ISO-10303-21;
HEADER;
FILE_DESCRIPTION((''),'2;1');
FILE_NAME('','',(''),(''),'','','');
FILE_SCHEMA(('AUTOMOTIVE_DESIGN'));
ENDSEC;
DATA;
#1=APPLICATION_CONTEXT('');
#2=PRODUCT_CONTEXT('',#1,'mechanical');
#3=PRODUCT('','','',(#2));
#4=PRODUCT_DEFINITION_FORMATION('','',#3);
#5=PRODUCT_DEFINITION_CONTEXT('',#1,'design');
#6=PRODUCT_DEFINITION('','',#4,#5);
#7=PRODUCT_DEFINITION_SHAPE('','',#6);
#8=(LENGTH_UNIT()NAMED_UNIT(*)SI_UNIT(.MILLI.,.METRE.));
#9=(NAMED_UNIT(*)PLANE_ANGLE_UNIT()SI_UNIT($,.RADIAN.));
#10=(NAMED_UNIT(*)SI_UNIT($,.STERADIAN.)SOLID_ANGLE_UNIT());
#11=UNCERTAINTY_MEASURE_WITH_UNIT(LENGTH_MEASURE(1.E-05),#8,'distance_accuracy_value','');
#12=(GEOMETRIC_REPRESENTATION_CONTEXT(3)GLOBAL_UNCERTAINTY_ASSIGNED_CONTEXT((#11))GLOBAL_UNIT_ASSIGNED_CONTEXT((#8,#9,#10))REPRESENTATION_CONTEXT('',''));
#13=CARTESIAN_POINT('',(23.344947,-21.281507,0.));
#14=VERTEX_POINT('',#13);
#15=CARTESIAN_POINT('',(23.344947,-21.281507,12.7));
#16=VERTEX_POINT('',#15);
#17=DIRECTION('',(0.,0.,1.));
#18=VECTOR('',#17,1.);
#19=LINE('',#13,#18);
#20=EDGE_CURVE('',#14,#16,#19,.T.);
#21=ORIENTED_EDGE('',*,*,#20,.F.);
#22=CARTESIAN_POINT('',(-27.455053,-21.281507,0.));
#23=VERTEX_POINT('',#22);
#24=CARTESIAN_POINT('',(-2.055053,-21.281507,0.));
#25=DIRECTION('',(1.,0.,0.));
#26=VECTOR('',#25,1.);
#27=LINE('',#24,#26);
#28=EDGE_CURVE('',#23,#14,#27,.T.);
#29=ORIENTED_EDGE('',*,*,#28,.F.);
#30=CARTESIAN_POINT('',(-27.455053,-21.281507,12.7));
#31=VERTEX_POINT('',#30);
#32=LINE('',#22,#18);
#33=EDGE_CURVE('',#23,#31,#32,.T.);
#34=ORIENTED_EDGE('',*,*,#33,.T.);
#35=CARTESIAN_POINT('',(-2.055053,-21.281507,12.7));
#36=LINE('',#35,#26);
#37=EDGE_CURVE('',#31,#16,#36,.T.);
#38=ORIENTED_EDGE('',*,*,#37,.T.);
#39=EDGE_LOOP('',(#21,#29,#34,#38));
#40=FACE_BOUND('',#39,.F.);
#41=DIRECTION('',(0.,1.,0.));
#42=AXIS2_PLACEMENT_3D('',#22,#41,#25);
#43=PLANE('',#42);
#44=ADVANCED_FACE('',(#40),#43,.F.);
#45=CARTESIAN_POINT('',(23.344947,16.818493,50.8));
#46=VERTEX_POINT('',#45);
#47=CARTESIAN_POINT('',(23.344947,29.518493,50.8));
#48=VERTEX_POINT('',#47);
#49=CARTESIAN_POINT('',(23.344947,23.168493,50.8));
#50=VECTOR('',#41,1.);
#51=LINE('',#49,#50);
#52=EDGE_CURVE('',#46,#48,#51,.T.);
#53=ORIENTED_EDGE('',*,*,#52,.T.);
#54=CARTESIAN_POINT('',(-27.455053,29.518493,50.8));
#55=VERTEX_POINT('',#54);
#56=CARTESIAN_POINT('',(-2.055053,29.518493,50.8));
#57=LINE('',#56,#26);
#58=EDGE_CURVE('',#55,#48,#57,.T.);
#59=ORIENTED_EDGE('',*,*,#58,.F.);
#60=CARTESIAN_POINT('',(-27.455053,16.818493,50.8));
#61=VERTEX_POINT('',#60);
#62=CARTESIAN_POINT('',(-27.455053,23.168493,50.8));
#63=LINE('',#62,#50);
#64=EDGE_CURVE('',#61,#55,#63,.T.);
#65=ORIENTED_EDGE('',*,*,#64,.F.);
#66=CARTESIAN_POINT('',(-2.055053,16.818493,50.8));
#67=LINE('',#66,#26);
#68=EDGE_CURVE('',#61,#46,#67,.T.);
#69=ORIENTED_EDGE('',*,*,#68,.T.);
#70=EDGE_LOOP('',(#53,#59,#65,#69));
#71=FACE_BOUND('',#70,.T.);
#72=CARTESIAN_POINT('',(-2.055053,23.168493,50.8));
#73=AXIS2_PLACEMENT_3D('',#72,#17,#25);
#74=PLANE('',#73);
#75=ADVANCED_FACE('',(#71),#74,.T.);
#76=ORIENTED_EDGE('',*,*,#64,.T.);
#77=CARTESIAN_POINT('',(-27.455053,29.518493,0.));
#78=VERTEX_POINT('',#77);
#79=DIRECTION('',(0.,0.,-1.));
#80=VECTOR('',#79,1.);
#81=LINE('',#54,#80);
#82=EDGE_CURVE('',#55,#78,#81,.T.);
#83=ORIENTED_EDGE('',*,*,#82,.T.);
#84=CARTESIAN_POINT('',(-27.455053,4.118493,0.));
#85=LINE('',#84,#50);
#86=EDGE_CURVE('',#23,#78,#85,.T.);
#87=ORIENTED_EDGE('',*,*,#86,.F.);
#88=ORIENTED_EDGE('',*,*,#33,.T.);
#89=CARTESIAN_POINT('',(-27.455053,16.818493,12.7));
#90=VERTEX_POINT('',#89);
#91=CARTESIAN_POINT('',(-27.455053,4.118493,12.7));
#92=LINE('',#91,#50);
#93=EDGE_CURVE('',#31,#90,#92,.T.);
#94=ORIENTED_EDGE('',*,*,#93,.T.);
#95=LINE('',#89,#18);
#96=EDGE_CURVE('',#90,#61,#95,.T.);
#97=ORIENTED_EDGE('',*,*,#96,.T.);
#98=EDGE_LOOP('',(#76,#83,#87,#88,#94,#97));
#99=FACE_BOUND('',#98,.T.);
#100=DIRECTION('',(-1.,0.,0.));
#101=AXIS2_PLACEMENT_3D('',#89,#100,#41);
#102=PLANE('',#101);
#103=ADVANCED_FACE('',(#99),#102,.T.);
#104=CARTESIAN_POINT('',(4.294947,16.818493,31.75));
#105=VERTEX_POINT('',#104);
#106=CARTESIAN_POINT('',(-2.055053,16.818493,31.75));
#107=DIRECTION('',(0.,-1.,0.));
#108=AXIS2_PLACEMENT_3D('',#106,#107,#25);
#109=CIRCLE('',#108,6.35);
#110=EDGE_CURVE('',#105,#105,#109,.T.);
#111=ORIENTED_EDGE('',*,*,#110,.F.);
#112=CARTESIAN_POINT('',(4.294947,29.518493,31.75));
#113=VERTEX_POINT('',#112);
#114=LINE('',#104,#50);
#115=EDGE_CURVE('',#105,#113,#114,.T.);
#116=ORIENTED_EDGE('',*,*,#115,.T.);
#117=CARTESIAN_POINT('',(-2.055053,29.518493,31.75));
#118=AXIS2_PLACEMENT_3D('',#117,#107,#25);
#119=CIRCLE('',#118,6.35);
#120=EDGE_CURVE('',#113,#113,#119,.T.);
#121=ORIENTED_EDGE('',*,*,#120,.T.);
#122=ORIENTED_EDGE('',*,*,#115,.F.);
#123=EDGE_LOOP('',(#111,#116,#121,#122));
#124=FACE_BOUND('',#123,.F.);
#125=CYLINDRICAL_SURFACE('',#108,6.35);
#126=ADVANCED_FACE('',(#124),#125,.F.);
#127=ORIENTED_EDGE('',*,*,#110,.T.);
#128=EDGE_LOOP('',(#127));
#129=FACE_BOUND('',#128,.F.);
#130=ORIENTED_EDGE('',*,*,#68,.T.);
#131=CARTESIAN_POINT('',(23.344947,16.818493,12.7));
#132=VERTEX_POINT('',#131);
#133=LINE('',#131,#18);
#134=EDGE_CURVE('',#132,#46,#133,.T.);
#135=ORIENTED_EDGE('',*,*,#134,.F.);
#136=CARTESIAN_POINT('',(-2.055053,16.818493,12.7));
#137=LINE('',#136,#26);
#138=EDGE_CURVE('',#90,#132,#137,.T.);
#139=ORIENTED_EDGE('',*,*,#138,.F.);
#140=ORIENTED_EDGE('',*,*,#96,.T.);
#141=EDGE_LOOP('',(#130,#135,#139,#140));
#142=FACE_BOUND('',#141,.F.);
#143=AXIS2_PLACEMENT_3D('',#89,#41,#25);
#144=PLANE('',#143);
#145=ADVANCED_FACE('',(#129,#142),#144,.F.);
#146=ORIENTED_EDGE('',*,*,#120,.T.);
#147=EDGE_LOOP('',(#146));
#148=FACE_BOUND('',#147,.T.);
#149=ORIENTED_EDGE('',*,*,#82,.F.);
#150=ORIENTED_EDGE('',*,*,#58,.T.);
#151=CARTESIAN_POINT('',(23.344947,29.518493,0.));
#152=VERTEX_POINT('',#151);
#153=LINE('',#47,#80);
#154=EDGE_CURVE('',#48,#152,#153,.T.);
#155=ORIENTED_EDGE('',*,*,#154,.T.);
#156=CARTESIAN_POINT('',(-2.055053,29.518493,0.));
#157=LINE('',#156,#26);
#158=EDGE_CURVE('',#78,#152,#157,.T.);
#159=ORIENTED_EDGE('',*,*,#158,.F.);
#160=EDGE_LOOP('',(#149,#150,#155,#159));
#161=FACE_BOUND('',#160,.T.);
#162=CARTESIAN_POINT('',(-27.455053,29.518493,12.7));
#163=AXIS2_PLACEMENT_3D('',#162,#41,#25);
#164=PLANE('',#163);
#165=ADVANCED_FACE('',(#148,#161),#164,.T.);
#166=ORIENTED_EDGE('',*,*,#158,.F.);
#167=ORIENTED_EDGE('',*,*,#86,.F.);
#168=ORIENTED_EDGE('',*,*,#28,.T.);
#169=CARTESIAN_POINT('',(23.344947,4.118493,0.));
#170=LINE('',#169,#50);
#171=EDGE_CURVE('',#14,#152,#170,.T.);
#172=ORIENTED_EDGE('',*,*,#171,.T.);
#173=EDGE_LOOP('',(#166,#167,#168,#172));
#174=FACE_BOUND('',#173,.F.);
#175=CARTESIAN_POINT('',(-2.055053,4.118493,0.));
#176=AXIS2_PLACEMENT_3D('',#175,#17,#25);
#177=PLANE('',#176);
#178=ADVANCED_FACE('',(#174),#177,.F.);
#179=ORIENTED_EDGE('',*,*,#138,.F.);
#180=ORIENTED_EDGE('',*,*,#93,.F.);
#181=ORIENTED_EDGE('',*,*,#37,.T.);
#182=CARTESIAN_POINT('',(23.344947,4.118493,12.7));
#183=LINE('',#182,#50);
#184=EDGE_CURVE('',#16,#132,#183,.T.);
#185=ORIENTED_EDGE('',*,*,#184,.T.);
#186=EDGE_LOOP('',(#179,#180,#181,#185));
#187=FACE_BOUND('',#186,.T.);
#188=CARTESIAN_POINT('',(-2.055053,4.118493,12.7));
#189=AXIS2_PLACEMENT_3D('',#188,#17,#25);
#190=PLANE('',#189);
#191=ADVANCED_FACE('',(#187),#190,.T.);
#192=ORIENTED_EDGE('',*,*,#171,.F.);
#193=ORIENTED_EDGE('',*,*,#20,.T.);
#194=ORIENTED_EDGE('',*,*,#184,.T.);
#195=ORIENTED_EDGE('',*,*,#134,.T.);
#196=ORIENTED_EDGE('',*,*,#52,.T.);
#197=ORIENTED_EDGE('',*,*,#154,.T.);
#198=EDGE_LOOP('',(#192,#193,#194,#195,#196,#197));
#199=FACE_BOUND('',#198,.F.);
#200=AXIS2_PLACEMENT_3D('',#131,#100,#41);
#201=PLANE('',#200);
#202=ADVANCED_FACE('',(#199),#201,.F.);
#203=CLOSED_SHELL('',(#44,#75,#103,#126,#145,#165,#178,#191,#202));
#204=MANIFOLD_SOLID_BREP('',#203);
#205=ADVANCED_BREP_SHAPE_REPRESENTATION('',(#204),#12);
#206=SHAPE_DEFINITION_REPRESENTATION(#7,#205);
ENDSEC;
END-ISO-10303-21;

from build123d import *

# Parameters (mm, degrees)
F0_W     = 50.8
F0_H     = 50.8
F1_DEPTH = 12.7
F2_W     = 50.8
F2_H     = 12.7
F3_DEPTH = 38.1
F4_R     = 6.35
F5_DEPTH = 25.4


with BuildPart() as f1:
    # F0 (on Top) → F1 (new body)
    with BuildSketch(Plane.XY):
        with Locations((-2.055053, 4.118493)):
            Rectangle(F0_W, F0_H)
    extrude(amount=F1_DEPTH)

    # F2 (on face) → F3 (join)
    with BuildSketch(Plane.XY.offset(12.7)):
        with Locations((-2.055053, 23.168493)):
            Rectangle(F2_W, F2_H)
    extrude(amount=F3_DEPTH)

    # F4 (on face) → F5 (cut)
    with BuildSketch(Plane.XZ.offset(-16.818493)):
        with Locations((-2.055053, 31.75)):
            Circle(F4_R)
    extrude(amount=-F5_DEPTH, mode=Mode.SUBTRACT)


solid = f1.part
